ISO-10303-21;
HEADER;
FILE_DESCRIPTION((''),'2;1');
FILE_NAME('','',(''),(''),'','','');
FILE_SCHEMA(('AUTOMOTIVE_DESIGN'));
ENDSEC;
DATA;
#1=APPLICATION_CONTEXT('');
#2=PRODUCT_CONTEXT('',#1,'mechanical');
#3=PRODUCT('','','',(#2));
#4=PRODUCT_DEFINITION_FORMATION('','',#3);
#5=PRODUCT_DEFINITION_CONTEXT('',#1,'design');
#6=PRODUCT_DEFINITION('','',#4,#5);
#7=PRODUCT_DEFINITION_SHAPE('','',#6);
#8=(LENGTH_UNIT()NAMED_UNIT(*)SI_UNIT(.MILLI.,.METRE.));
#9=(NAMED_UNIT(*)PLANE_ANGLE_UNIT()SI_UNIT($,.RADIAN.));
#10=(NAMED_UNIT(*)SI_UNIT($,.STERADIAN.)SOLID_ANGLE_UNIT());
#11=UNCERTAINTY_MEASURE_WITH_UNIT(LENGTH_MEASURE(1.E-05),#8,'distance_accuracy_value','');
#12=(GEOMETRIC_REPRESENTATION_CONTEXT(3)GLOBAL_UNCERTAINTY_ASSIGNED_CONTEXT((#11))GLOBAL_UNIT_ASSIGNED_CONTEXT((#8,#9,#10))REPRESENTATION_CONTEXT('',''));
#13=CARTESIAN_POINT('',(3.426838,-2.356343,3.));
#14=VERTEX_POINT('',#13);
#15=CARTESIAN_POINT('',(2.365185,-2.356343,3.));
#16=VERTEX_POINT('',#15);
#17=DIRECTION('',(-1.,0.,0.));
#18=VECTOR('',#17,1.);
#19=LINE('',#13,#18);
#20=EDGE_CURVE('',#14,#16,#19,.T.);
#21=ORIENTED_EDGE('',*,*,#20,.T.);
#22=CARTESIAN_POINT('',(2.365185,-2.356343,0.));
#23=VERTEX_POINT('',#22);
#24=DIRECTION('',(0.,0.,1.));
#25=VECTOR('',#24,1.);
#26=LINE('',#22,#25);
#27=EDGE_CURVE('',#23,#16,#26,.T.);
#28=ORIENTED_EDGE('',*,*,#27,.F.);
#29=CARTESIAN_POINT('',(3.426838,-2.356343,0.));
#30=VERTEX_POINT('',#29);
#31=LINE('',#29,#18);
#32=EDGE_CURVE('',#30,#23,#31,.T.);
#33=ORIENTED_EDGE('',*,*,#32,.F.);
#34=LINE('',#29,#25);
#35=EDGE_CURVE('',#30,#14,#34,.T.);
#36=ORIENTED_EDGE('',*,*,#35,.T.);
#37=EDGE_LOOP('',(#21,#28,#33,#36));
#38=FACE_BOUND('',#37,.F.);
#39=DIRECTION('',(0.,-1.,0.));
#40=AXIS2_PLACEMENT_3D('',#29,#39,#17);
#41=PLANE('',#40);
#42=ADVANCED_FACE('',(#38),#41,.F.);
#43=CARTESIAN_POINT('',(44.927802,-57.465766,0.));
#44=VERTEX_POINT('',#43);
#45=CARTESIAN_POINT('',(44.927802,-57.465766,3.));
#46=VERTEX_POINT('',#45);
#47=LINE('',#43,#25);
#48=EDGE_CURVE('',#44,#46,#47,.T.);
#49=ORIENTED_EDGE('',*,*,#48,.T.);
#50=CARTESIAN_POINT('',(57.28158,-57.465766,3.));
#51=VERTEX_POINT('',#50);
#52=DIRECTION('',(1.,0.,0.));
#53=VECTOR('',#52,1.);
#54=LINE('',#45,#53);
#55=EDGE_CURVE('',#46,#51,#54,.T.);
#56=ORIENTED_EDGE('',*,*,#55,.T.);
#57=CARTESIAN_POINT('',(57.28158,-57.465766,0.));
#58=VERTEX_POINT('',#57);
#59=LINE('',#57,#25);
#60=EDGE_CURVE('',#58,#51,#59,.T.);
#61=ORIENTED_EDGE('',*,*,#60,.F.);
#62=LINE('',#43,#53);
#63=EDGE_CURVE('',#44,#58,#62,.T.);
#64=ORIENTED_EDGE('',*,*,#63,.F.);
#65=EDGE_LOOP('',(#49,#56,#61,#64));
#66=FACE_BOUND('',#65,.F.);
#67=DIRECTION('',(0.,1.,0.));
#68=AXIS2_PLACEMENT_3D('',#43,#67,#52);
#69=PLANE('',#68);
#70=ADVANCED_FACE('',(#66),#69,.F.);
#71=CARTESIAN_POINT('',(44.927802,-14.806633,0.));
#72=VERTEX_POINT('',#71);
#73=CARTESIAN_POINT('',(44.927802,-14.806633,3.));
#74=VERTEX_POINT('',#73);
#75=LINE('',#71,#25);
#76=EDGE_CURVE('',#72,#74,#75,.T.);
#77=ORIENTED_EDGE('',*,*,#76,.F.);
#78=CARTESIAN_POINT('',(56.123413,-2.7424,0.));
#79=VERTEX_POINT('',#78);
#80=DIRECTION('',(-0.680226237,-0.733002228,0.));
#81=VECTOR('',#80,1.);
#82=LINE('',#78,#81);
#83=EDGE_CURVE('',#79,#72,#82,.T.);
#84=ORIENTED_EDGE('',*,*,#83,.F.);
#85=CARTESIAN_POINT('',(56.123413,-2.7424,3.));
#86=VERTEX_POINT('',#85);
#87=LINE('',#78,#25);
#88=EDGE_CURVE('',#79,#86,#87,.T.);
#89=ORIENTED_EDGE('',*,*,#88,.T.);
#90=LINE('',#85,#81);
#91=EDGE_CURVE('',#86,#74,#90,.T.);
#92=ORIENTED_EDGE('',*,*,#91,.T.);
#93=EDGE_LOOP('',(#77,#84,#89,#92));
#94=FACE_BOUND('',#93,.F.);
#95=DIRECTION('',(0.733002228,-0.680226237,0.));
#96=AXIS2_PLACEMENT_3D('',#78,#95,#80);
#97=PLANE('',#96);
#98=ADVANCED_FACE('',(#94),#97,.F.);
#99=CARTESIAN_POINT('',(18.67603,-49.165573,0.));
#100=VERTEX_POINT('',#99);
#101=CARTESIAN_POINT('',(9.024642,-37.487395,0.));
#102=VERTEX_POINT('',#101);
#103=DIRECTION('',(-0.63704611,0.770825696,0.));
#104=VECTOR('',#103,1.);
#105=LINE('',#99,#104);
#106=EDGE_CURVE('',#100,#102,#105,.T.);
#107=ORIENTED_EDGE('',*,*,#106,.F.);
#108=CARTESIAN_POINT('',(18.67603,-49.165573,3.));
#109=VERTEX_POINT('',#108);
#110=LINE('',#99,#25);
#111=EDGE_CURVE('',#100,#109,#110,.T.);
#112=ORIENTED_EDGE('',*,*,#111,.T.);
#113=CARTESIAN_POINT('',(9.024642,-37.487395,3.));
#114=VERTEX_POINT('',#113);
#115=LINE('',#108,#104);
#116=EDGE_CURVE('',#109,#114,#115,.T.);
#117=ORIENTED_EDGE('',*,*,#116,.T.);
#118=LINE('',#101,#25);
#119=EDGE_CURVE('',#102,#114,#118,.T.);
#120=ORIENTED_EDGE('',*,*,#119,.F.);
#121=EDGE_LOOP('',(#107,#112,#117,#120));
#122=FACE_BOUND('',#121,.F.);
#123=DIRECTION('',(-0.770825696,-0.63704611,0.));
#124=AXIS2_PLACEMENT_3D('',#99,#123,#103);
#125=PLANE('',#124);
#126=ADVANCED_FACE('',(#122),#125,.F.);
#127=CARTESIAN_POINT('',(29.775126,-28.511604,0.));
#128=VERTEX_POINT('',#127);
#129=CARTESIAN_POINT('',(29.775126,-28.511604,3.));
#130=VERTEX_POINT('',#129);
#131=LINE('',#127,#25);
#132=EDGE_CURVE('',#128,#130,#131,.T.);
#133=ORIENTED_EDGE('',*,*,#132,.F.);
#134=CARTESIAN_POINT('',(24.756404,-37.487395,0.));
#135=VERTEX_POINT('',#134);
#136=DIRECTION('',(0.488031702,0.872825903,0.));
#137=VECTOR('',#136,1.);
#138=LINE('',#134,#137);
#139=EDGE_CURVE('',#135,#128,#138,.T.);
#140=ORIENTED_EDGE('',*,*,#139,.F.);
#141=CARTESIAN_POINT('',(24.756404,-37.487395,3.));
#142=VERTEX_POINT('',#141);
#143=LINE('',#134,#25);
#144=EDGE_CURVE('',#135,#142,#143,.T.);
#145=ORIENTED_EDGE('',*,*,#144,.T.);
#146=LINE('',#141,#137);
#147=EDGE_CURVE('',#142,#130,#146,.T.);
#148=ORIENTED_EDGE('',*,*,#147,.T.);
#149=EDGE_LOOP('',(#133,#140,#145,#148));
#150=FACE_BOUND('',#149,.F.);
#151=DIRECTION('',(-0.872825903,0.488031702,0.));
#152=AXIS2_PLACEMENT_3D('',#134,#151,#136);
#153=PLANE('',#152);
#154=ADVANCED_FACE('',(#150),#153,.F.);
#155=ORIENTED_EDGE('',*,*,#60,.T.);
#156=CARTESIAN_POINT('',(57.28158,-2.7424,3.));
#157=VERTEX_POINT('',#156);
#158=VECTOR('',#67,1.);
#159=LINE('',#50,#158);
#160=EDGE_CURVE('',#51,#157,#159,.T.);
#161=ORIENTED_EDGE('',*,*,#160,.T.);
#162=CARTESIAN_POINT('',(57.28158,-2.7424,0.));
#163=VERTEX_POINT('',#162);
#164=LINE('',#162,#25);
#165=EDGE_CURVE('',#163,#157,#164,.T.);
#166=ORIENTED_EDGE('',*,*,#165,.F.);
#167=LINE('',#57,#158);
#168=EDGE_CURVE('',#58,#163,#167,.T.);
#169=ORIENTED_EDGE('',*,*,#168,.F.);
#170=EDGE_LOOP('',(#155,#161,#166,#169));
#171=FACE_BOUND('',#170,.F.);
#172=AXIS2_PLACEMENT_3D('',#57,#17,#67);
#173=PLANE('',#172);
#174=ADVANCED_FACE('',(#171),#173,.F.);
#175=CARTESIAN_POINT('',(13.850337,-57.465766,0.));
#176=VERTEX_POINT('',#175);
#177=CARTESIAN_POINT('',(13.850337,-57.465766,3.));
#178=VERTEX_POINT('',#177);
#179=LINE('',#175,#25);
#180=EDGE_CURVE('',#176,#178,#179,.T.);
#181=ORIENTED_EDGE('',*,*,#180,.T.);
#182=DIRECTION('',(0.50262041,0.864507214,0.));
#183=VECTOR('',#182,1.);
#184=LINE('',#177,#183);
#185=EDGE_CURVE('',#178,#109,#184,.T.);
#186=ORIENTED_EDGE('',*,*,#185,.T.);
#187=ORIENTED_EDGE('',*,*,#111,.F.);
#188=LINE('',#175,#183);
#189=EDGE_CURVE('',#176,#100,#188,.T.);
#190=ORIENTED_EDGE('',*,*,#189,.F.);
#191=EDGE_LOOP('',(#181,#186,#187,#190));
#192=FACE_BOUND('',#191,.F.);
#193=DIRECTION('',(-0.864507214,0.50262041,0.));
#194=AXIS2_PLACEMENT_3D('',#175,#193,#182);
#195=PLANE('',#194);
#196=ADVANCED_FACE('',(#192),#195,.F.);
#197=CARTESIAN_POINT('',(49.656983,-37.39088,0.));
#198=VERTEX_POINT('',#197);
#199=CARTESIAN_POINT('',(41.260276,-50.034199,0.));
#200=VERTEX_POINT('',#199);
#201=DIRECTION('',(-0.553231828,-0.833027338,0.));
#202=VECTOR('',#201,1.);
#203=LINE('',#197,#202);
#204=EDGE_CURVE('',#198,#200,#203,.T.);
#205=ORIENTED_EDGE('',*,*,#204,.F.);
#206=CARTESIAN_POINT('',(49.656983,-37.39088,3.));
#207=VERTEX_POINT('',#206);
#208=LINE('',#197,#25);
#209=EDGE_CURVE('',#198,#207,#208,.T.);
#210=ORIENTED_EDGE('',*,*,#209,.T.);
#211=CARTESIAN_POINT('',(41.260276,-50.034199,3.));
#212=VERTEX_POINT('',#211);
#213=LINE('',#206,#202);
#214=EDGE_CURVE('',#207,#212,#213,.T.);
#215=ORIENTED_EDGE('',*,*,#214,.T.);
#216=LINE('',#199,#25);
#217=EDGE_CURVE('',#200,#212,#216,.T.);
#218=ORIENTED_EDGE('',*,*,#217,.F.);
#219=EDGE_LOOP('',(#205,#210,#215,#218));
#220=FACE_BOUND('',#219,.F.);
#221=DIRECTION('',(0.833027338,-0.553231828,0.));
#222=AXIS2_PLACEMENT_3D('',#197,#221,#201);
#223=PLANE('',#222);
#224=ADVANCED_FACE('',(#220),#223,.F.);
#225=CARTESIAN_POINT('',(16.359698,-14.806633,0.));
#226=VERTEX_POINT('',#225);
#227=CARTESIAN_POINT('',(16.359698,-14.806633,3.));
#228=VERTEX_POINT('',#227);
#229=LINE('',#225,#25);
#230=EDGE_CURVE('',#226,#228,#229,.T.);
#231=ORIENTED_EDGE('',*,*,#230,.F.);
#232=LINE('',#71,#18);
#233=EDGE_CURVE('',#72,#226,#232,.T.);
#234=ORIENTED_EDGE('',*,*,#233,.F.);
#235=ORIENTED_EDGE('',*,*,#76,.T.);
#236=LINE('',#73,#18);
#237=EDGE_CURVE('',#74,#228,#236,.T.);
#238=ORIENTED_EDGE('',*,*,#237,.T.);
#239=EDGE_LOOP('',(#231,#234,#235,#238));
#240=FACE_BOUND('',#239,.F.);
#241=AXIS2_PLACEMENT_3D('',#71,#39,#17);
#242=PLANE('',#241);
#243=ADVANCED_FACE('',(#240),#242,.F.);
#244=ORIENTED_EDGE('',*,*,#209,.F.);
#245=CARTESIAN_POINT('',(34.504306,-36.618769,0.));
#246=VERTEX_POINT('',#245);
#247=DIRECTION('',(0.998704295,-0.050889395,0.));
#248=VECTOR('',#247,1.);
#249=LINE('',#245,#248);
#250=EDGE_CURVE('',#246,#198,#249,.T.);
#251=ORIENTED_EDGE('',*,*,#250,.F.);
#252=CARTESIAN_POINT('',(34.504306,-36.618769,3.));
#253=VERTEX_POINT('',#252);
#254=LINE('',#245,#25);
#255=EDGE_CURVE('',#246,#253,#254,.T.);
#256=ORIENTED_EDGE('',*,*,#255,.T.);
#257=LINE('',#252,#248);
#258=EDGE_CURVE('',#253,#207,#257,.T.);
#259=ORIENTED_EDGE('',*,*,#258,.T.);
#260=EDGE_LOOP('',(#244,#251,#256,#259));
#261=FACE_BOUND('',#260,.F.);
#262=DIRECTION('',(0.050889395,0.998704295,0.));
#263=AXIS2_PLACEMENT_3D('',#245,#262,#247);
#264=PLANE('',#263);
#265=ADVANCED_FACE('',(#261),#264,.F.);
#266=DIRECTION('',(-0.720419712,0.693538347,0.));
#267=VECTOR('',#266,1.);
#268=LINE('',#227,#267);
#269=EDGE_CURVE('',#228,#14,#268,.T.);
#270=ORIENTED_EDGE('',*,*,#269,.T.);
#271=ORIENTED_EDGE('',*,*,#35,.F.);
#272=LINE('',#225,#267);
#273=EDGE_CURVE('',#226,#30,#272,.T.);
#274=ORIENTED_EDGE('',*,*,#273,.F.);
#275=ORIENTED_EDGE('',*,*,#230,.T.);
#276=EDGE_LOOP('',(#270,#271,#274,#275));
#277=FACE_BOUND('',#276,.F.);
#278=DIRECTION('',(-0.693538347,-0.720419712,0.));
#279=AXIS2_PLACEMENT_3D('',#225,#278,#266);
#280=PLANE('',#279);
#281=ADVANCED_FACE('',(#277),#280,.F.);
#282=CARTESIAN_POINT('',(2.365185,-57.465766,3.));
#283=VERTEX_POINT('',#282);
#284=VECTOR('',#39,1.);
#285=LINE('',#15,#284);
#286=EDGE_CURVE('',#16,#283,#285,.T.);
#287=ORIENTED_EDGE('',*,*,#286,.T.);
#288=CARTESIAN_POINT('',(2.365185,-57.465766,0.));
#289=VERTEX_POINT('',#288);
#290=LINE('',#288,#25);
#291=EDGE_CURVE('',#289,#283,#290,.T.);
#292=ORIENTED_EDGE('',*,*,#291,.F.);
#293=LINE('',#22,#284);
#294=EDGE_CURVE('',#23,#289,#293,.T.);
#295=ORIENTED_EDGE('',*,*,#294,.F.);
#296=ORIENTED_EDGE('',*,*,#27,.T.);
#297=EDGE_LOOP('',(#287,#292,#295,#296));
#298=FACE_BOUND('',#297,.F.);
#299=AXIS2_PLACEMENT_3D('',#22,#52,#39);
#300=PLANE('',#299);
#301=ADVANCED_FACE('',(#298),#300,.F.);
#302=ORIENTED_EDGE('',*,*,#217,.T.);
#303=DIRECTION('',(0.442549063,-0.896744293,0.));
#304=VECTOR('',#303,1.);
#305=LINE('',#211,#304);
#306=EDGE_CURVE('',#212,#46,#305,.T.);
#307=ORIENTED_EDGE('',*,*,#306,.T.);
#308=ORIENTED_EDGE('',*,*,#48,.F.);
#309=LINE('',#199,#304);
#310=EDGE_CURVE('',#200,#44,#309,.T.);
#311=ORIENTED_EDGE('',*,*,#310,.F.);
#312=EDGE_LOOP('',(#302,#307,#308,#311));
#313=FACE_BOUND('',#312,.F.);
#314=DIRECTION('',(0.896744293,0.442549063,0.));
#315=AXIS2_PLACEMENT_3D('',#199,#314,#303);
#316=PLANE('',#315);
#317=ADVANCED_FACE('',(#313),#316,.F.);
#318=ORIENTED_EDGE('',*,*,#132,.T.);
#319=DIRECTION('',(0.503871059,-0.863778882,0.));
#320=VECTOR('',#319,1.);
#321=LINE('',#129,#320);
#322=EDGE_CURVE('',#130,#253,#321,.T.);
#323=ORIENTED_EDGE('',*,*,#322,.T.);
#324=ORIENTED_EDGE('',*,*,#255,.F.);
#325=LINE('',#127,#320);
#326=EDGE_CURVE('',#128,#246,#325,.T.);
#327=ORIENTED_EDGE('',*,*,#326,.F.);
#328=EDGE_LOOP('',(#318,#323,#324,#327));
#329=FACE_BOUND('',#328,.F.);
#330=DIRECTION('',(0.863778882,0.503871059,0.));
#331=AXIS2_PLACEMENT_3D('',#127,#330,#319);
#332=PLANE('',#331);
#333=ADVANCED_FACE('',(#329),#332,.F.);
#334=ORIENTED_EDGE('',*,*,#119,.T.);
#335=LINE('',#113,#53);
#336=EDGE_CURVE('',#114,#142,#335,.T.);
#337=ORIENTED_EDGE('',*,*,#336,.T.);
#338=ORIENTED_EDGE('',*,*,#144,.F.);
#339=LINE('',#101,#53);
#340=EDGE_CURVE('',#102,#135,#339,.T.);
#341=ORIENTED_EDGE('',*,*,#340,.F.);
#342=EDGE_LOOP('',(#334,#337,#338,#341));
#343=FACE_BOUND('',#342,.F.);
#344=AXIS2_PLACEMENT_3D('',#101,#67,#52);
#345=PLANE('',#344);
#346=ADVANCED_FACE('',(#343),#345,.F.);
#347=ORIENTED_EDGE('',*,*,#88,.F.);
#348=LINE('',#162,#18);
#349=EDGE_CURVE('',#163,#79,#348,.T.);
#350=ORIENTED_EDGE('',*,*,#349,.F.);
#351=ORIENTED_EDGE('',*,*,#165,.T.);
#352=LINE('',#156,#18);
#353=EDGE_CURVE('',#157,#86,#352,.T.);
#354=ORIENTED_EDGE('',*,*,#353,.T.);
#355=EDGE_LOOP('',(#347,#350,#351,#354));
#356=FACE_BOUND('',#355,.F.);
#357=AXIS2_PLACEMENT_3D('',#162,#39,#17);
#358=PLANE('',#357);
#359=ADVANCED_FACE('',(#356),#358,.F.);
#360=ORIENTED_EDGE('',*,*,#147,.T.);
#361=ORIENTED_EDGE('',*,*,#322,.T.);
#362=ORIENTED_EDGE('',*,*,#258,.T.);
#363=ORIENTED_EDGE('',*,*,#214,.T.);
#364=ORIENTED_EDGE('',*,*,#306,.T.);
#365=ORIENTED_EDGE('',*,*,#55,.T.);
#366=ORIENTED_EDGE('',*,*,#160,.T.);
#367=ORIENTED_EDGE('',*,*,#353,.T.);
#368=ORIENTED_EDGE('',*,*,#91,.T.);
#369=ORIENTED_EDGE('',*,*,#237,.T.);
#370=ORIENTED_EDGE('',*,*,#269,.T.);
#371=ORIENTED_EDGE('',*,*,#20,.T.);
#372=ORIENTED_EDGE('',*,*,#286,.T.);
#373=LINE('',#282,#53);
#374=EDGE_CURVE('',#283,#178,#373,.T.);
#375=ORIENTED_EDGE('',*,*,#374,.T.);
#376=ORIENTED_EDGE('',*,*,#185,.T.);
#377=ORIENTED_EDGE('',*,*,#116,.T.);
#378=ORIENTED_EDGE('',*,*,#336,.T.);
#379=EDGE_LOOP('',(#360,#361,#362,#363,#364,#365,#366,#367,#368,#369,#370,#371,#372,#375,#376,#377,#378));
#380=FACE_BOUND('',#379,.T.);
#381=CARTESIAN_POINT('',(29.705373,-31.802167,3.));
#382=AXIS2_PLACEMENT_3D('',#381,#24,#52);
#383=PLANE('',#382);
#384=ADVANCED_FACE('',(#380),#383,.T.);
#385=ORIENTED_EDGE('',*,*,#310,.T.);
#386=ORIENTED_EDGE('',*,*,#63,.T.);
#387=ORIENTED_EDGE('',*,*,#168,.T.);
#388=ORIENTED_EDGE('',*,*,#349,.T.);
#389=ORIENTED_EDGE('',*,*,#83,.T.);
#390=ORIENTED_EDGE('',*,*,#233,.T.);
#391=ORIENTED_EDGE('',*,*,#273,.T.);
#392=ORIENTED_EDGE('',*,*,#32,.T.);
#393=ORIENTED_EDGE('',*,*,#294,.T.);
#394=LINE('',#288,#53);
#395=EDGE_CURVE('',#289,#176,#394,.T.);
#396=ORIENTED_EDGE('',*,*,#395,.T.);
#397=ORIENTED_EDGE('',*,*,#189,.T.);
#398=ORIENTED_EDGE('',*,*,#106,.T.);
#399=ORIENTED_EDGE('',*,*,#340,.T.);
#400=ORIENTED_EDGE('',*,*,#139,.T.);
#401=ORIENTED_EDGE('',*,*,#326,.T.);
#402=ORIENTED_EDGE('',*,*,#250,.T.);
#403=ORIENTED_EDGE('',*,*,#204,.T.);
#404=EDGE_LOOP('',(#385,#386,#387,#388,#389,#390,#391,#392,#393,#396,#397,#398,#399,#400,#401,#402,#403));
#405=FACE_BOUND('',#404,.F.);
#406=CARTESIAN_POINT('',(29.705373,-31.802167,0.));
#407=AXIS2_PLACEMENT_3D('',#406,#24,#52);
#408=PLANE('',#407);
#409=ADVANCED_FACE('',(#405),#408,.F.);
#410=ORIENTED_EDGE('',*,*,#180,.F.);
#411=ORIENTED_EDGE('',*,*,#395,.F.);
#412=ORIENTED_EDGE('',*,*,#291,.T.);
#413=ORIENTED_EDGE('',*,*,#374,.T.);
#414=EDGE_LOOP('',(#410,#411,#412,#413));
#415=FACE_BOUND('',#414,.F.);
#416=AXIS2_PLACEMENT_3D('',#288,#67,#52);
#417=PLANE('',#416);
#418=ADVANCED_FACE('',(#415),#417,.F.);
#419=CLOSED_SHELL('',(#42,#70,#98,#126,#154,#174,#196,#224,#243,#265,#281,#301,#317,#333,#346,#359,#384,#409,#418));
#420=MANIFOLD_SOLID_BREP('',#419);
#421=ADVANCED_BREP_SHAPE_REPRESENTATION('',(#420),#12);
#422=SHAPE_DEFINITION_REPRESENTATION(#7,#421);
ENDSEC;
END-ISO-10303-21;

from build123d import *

# Parameters (mm, degrees)
F1_DEPTH = 3


with BuildPart() as f1:
    # F0 (on Top) → F1 (new body)
    with BuildSketch(Plane.XY):
        Polygon((3.426838, -2.356343), (2.365185, -2.356343), (2.365185, -57.465766), (13.850337, -57.465766), (18.67603, -49.165573), (9.024642, -37.487395), (24.756404, -37.487395), (29.775126, -28.511604), (34.504306, -36.618769), (49.656983, -37.39088), (41.260276, -50.034199), (44.927802, -57.465766), (57.28158, -57.465766), (57.28158, -2.7424), (56.123413, -2.7424), (44.927802, -14.806633), (16.359698, -14.806633), align=None)
    extrude(amount=F1_DEPTH)


solid = f1.part
